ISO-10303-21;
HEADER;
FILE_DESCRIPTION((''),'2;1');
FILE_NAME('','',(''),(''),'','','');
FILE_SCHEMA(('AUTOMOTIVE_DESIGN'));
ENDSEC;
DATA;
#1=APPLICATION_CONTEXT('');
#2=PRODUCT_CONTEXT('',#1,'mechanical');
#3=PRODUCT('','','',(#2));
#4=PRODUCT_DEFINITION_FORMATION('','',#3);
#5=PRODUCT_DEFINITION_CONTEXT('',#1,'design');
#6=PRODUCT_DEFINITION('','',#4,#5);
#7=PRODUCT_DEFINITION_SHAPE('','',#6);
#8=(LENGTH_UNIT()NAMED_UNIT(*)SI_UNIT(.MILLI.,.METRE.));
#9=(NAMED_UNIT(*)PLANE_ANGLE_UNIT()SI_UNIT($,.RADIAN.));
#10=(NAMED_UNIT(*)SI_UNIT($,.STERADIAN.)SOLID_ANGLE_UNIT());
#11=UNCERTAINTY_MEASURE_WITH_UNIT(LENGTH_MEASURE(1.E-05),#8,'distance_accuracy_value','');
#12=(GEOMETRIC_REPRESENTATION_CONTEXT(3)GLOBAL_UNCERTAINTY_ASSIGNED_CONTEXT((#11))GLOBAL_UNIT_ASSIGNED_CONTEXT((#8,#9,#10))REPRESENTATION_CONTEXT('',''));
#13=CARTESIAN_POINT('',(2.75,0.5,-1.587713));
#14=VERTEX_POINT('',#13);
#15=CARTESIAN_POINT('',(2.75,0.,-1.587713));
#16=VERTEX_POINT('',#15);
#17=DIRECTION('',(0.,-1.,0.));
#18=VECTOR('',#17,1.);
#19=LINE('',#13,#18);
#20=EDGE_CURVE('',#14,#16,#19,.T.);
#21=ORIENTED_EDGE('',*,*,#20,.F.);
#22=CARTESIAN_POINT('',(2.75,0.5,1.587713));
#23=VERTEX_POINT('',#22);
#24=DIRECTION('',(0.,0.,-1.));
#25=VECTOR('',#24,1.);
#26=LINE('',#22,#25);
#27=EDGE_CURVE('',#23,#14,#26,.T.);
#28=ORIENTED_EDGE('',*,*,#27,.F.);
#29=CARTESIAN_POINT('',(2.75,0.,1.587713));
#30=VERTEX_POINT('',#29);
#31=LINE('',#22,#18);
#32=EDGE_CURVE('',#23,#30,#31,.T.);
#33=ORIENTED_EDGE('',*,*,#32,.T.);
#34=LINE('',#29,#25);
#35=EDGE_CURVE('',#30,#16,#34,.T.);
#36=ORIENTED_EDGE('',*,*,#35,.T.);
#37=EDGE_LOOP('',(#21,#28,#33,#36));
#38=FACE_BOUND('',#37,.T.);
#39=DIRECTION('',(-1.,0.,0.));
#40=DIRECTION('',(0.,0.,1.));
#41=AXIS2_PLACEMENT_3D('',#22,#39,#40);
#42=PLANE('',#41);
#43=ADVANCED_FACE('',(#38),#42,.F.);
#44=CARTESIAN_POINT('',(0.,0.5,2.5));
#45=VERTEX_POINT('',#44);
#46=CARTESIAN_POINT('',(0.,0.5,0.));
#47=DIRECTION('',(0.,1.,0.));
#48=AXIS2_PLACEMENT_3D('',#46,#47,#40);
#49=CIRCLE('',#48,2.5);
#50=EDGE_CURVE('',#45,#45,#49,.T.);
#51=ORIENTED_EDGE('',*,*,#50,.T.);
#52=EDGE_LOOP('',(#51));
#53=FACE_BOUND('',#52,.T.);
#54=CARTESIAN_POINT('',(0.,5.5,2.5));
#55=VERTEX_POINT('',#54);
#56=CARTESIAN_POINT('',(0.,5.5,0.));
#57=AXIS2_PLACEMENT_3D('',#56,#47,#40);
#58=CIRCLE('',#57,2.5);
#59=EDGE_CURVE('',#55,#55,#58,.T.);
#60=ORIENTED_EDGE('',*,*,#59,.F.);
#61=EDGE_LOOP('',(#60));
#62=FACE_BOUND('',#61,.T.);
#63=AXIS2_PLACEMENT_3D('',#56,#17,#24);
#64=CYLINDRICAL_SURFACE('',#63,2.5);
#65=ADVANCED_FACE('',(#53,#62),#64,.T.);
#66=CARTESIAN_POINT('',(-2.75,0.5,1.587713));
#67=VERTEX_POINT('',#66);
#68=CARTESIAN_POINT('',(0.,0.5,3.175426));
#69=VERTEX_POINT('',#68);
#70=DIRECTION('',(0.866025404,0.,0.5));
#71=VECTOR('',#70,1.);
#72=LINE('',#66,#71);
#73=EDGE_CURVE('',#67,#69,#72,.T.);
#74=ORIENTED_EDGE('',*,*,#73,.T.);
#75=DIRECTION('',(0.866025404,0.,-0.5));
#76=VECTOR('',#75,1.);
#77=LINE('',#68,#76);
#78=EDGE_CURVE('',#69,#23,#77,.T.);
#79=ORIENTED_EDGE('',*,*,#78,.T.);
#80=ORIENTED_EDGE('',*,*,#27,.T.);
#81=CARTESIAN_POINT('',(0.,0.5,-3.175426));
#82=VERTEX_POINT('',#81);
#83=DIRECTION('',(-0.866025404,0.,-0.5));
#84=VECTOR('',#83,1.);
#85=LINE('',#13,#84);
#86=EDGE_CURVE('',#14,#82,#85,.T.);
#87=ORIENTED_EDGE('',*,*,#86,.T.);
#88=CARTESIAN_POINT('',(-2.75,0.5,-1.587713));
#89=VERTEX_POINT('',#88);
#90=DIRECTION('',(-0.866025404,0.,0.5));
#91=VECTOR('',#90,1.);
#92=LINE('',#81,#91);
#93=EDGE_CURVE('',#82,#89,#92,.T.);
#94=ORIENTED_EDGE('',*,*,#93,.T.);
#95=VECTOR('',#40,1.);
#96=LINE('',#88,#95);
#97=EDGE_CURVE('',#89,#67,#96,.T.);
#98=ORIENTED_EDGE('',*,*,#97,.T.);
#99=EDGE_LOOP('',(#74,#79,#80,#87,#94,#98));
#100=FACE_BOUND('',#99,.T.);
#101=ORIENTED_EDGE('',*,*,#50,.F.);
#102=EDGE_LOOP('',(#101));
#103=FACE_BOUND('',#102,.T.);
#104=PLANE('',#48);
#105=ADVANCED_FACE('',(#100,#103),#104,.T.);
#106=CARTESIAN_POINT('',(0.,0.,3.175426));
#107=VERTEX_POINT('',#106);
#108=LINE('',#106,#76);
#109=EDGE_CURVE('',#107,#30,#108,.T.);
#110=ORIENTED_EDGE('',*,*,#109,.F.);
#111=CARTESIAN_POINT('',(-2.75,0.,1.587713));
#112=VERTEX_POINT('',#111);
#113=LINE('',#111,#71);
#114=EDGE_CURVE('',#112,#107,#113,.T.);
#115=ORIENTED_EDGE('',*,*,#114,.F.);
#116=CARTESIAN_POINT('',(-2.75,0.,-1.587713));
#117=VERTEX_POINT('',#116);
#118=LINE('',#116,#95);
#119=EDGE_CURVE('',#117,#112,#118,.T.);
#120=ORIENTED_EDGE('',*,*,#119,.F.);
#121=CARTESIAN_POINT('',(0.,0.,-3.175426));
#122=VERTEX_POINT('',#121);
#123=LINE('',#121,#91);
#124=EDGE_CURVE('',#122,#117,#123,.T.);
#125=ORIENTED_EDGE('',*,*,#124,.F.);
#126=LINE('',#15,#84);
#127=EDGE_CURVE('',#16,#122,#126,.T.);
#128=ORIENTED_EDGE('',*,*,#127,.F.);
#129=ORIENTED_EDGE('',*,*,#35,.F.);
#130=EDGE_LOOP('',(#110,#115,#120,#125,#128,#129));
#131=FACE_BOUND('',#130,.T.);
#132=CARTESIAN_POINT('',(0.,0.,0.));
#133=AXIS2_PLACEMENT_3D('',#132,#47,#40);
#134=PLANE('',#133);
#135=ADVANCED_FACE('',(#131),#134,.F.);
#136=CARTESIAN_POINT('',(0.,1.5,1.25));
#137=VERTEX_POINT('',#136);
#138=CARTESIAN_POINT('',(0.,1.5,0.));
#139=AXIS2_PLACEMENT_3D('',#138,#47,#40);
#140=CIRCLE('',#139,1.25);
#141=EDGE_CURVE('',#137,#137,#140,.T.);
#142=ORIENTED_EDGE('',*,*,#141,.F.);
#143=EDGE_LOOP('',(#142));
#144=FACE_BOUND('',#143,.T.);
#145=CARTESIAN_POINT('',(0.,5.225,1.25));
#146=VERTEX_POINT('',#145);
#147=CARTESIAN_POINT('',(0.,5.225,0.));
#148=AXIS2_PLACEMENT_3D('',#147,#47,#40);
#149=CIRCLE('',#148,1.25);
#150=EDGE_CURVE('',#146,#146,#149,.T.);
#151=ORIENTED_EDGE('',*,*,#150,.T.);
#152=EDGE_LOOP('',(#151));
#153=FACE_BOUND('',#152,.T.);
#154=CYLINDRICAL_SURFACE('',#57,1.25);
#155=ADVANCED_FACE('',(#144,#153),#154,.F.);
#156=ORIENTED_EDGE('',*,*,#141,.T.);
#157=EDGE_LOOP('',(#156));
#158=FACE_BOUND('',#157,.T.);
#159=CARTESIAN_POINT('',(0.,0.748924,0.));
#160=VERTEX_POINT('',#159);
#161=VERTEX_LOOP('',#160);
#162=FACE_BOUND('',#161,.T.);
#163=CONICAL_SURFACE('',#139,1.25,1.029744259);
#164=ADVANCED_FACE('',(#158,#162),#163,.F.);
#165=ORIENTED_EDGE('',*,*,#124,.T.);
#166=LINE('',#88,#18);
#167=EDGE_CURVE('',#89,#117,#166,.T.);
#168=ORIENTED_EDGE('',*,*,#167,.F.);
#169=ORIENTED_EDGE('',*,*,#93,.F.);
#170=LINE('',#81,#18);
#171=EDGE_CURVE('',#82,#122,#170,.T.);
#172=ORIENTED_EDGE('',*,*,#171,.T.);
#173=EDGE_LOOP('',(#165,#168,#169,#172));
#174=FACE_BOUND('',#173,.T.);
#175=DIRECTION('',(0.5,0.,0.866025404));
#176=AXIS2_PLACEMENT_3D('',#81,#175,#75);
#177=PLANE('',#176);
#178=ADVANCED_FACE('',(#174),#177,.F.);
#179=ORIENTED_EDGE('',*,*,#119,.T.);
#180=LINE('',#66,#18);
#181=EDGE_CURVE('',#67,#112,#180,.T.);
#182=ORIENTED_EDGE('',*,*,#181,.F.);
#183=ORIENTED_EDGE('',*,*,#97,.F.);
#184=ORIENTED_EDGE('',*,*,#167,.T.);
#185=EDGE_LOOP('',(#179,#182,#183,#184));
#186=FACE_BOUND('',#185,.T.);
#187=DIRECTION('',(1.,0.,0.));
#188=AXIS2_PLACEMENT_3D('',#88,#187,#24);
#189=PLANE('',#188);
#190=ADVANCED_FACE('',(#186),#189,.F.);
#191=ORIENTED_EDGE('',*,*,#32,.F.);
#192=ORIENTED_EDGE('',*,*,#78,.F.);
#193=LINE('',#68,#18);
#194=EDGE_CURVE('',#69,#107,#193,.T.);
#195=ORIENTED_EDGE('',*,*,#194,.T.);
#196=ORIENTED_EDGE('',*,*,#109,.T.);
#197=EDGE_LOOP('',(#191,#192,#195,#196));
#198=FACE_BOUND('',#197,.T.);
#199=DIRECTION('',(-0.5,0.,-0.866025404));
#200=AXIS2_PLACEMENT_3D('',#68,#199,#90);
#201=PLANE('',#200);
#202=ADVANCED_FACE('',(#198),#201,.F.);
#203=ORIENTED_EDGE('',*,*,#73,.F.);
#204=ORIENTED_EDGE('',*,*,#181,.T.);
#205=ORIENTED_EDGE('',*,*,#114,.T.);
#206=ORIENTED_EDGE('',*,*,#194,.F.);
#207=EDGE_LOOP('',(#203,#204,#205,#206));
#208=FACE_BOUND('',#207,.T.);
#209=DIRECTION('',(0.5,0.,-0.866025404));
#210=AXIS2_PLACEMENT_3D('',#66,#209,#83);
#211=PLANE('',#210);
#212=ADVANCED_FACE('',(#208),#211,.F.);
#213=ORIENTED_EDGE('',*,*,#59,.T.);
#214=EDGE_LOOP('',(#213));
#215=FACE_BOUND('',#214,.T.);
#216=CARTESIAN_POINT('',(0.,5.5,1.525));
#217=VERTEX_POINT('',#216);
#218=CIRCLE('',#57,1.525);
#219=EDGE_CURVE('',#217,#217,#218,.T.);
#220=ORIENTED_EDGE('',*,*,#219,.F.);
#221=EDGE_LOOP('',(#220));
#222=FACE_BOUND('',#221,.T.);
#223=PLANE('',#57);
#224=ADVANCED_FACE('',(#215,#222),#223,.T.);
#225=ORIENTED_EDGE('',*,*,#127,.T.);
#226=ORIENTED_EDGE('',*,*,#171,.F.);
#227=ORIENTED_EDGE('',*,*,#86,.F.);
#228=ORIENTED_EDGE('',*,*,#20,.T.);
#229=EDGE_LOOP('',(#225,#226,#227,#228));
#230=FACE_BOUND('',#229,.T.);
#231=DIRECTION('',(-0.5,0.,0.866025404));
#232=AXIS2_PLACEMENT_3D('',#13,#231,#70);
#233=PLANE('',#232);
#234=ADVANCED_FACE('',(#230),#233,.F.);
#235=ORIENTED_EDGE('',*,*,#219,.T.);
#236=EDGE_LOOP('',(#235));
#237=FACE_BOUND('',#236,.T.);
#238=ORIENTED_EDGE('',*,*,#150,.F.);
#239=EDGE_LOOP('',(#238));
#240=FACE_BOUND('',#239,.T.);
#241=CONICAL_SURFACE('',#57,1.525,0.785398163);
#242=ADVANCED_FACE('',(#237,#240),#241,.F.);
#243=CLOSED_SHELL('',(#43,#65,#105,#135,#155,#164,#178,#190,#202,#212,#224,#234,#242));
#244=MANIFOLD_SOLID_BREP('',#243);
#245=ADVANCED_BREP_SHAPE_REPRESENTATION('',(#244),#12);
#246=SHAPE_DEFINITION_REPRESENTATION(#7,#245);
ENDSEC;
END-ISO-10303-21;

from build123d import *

# Parameters (mm, degrees)
EXTRUDE_1_DEPTH              = 0.5
SKETCH_2_R                   = 2.5
EXTRUDE_2_DEPTH              = 5
HOLE_WIZARD_M3_1_D           = 2.5
HOLE_WIZARD_M3_1_DEPTH       = 4
HOLE_WIZARD_M3_1_CSINK_D     = 3.05
HOLE_WIZARD_M3_1_CSINK_ANGLE = 90
HOLE_WIZARD_M3_1_TIP         = 0.751075774


with BuildPart() as part:
    # 草图1 → 凸台-拉伸1 (new body)
    with BuildSketch(Plane(origin=(0, 0, 0), x_dir=(1, 0, 0), z_dir=(0, 1, 0))):
        Polygon((0, -3.175426481), (2.75, -1.58771324), (2.75, 1.58771324), (0, 3.175426481), (-2.75, 1.58771324), (-2.75, -1.58771324), align=None)
    extrude(amount=EXTRUDE_1_DEPTH)

    # 草图2 → 凸台-拉伸2 (add)
    with BuildSketch(Plane(origin=(0, 0.5, 0), x_dir=(1, 0, 0), z_dir=(0, 1, 0))):
        Circle(SKETCH_2_R)
    extrude(amount=EXTRUDE_2_DEPTH)

    # M3 螺纹孔1
    with Locations(Plane(origin=(0, 5.5, 0), x_dir=(1, 0, 0), z_dir=(0, 1, 0))):
        with Locations((0, 0)):
            CounterSinkHole(HOLE_WIZARD_M3_1_D / 2, HOLE_WIZARD_M3_1_CSINK_D / 2, depth=HOLE_WIZARD_M3_1_DEPTH, counter_sink_angle=HOLE_WIZARD_M3_1_CSINK_ANGLE)
            with Locations((0, 0, -(HOLE_WIZARD_M3_1_DEPTH + HOLE_WIZARD_M3_1_TIP / 2))):  # 118° drill point
                Cone(0, HOLE_WIZARD_M3_1_D / 2, HOLE_WIZARD_M3_1_TIP, mode=Mode.SUBTRACT)


solid = part.part
